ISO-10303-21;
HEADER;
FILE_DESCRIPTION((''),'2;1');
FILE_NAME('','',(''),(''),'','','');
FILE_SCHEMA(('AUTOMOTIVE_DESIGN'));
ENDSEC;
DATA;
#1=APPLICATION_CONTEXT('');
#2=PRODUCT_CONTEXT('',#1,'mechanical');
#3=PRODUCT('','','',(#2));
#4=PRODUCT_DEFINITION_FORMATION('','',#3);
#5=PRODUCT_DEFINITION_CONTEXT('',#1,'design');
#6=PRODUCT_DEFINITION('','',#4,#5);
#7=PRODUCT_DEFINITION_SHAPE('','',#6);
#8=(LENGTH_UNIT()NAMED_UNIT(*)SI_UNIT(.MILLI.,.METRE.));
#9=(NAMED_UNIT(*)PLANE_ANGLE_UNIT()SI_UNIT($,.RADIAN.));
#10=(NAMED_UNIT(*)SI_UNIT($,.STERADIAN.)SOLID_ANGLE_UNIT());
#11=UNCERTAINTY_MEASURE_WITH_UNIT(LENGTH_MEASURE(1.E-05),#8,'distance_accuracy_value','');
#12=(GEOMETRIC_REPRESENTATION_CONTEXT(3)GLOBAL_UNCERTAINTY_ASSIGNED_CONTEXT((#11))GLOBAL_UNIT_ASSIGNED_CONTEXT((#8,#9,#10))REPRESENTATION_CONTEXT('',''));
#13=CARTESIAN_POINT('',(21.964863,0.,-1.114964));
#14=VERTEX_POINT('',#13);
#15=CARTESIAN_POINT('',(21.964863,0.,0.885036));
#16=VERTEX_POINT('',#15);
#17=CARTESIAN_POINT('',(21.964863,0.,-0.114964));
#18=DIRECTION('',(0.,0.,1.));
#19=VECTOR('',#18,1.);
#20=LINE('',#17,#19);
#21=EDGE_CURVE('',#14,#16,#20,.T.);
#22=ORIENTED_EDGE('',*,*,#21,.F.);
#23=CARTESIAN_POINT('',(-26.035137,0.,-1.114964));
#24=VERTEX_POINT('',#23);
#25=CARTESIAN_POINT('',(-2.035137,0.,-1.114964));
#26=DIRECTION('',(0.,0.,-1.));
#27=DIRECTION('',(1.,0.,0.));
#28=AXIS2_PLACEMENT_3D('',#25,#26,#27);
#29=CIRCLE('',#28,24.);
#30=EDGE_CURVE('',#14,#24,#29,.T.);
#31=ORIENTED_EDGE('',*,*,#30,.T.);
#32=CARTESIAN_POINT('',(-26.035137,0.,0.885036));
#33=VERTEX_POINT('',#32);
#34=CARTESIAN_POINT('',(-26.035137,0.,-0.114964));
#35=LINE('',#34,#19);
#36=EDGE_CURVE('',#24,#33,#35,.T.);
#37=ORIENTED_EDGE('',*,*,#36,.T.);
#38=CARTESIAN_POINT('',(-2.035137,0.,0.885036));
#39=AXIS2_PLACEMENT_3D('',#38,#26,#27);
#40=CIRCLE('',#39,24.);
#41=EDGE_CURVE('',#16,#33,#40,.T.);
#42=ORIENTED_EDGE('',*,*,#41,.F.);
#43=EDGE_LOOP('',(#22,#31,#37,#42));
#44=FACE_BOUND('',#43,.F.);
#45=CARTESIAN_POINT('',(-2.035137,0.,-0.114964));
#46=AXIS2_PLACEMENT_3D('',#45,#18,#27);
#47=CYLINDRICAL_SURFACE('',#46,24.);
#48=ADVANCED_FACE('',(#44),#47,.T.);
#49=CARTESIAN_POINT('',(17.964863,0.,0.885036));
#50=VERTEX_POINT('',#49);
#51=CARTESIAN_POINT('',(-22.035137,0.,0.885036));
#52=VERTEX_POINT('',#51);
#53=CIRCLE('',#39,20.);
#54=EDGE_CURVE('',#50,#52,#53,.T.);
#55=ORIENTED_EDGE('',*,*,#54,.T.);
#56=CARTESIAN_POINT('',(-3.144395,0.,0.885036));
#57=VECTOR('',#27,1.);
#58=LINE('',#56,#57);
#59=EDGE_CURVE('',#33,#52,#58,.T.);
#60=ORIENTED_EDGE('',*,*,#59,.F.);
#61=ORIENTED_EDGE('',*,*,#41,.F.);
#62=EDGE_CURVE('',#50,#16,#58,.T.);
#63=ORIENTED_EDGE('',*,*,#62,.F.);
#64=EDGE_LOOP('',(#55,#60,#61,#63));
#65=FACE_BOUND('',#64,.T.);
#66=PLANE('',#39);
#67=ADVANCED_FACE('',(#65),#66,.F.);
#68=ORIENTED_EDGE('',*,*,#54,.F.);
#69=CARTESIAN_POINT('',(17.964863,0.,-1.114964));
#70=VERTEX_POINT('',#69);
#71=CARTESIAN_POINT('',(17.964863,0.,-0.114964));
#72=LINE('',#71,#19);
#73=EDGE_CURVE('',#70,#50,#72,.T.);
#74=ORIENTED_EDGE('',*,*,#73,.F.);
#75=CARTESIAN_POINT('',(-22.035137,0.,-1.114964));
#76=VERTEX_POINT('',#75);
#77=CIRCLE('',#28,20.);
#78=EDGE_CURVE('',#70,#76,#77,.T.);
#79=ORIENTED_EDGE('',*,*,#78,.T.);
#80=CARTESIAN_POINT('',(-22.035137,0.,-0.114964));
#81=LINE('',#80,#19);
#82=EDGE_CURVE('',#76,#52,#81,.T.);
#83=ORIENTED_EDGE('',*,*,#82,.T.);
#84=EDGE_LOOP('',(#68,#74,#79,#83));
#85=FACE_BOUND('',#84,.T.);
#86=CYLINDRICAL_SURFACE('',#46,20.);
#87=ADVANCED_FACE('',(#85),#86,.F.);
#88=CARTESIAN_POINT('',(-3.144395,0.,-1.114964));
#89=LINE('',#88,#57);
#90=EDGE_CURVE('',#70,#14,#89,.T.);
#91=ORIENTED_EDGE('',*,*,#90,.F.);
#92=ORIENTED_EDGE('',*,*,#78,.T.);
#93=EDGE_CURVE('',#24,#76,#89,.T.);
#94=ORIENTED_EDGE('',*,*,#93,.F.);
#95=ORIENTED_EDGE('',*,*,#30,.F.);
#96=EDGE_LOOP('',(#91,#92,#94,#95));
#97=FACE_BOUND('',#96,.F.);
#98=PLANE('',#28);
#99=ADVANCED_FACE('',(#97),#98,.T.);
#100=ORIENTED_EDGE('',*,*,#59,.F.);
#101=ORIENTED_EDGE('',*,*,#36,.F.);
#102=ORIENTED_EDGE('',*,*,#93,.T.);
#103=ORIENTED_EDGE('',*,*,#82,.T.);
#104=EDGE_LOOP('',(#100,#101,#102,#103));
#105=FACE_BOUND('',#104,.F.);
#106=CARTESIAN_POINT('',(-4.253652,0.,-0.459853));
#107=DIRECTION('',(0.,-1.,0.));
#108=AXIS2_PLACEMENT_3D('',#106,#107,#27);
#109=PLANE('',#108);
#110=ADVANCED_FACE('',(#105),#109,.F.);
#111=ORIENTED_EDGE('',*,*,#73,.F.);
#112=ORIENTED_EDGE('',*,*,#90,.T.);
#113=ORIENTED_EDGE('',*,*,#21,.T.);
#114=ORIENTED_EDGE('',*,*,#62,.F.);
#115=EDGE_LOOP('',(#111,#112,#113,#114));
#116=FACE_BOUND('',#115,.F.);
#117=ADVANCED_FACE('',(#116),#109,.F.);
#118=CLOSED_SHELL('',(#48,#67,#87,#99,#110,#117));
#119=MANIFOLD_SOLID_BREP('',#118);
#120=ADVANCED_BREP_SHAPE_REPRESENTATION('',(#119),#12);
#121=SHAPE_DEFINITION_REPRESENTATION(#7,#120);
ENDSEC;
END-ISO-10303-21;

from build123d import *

# Parameters (mm, degrees)
F0_W     = 4
F0_H     = 2
F2_W     = 81.854016
F2_H     = 67.138687
F3_DEPTH = 24.001


with BuildPart() as f1:
    # F0 (on Front) → F1 (revolve)
    with BuildSketch(Plane.XZ):
        with Locations((19.964863, -0.114964)):
            Rectangle(F0_W, F0_H)
    revolve(axis=Axis((-2.035137, 0, 0.689781), (0, 0, -1)))

    # F2 (on Front) → F3 (cut, through all)
    with BuildSketch(Plane.XZ):
        with Locations((-4.253652, -0.459853)):
            Rectangle(F2_W, F2_H)
    extrude(amount=-F3_DEPTH, mode=Mode.SUBTRACT)


solid = f1.part
